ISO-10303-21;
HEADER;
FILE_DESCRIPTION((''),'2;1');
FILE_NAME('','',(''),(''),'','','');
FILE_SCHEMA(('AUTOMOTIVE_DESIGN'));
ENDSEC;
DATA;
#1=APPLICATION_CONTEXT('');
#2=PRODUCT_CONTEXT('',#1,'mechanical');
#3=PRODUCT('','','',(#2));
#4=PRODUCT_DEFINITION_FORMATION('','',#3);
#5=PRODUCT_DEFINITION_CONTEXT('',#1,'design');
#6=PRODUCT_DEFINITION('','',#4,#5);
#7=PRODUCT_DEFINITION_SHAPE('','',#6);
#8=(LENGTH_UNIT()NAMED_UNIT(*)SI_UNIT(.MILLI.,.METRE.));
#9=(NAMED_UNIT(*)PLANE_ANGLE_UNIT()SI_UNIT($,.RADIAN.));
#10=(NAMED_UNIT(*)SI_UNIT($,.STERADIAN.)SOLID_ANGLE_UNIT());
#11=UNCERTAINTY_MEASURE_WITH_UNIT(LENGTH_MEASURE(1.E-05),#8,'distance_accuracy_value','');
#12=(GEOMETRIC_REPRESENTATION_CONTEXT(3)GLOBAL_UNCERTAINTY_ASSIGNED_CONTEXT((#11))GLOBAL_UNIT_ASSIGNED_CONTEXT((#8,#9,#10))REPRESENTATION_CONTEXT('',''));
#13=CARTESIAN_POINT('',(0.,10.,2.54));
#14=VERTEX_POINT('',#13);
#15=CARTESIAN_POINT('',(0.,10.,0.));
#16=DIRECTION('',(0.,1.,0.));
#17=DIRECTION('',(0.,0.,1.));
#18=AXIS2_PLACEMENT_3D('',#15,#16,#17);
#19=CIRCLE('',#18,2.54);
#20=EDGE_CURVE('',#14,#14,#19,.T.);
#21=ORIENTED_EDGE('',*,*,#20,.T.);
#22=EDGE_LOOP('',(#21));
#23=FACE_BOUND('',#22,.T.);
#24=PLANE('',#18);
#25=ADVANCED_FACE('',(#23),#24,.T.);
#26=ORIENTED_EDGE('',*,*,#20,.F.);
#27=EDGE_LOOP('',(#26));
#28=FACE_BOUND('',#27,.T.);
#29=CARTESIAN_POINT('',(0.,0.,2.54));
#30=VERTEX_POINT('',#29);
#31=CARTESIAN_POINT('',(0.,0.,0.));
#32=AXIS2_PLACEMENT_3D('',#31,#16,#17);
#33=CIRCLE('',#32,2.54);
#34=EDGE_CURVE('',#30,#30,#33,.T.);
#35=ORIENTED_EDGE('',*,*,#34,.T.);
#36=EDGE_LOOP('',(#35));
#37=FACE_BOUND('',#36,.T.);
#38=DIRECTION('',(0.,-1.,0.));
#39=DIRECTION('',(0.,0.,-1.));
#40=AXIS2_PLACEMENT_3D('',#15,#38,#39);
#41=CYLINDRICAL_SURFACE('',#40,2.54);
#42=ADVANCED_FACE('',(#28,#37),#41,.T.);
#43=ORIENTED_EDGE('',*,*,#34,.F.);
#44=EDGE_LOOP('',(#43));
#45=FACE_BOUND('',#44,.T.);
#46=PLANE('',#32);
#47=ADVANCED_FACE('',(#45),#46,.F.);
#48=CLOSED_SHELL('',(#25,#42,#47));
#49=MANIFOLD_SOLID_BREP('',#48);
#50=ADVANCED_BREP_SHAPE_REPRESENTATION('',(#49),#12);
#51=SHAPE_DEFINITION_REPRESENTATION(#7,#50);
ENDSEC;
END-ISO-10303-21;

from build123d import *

# Parameters (mm, degrees)
SKETCH1_R           = 2.54
BOSS_EXTRUDE1_DEPTH = 10


with BuildPart() as part:
    # Sketch1 → Boss-Extrude1 (new body)
    with BuildSketch(Plane(origin=(0, 0, 0), x_dir=(1, 0, 0), z_dir=(0, 1, 0))):
        with Locations(Location((0, 0, 0), (0, 0, 270))):
            Circle(SKETCH1_R)
    extrude(amount=BOSS_EXTRUDE1_DEPTH)


solid = part.part
